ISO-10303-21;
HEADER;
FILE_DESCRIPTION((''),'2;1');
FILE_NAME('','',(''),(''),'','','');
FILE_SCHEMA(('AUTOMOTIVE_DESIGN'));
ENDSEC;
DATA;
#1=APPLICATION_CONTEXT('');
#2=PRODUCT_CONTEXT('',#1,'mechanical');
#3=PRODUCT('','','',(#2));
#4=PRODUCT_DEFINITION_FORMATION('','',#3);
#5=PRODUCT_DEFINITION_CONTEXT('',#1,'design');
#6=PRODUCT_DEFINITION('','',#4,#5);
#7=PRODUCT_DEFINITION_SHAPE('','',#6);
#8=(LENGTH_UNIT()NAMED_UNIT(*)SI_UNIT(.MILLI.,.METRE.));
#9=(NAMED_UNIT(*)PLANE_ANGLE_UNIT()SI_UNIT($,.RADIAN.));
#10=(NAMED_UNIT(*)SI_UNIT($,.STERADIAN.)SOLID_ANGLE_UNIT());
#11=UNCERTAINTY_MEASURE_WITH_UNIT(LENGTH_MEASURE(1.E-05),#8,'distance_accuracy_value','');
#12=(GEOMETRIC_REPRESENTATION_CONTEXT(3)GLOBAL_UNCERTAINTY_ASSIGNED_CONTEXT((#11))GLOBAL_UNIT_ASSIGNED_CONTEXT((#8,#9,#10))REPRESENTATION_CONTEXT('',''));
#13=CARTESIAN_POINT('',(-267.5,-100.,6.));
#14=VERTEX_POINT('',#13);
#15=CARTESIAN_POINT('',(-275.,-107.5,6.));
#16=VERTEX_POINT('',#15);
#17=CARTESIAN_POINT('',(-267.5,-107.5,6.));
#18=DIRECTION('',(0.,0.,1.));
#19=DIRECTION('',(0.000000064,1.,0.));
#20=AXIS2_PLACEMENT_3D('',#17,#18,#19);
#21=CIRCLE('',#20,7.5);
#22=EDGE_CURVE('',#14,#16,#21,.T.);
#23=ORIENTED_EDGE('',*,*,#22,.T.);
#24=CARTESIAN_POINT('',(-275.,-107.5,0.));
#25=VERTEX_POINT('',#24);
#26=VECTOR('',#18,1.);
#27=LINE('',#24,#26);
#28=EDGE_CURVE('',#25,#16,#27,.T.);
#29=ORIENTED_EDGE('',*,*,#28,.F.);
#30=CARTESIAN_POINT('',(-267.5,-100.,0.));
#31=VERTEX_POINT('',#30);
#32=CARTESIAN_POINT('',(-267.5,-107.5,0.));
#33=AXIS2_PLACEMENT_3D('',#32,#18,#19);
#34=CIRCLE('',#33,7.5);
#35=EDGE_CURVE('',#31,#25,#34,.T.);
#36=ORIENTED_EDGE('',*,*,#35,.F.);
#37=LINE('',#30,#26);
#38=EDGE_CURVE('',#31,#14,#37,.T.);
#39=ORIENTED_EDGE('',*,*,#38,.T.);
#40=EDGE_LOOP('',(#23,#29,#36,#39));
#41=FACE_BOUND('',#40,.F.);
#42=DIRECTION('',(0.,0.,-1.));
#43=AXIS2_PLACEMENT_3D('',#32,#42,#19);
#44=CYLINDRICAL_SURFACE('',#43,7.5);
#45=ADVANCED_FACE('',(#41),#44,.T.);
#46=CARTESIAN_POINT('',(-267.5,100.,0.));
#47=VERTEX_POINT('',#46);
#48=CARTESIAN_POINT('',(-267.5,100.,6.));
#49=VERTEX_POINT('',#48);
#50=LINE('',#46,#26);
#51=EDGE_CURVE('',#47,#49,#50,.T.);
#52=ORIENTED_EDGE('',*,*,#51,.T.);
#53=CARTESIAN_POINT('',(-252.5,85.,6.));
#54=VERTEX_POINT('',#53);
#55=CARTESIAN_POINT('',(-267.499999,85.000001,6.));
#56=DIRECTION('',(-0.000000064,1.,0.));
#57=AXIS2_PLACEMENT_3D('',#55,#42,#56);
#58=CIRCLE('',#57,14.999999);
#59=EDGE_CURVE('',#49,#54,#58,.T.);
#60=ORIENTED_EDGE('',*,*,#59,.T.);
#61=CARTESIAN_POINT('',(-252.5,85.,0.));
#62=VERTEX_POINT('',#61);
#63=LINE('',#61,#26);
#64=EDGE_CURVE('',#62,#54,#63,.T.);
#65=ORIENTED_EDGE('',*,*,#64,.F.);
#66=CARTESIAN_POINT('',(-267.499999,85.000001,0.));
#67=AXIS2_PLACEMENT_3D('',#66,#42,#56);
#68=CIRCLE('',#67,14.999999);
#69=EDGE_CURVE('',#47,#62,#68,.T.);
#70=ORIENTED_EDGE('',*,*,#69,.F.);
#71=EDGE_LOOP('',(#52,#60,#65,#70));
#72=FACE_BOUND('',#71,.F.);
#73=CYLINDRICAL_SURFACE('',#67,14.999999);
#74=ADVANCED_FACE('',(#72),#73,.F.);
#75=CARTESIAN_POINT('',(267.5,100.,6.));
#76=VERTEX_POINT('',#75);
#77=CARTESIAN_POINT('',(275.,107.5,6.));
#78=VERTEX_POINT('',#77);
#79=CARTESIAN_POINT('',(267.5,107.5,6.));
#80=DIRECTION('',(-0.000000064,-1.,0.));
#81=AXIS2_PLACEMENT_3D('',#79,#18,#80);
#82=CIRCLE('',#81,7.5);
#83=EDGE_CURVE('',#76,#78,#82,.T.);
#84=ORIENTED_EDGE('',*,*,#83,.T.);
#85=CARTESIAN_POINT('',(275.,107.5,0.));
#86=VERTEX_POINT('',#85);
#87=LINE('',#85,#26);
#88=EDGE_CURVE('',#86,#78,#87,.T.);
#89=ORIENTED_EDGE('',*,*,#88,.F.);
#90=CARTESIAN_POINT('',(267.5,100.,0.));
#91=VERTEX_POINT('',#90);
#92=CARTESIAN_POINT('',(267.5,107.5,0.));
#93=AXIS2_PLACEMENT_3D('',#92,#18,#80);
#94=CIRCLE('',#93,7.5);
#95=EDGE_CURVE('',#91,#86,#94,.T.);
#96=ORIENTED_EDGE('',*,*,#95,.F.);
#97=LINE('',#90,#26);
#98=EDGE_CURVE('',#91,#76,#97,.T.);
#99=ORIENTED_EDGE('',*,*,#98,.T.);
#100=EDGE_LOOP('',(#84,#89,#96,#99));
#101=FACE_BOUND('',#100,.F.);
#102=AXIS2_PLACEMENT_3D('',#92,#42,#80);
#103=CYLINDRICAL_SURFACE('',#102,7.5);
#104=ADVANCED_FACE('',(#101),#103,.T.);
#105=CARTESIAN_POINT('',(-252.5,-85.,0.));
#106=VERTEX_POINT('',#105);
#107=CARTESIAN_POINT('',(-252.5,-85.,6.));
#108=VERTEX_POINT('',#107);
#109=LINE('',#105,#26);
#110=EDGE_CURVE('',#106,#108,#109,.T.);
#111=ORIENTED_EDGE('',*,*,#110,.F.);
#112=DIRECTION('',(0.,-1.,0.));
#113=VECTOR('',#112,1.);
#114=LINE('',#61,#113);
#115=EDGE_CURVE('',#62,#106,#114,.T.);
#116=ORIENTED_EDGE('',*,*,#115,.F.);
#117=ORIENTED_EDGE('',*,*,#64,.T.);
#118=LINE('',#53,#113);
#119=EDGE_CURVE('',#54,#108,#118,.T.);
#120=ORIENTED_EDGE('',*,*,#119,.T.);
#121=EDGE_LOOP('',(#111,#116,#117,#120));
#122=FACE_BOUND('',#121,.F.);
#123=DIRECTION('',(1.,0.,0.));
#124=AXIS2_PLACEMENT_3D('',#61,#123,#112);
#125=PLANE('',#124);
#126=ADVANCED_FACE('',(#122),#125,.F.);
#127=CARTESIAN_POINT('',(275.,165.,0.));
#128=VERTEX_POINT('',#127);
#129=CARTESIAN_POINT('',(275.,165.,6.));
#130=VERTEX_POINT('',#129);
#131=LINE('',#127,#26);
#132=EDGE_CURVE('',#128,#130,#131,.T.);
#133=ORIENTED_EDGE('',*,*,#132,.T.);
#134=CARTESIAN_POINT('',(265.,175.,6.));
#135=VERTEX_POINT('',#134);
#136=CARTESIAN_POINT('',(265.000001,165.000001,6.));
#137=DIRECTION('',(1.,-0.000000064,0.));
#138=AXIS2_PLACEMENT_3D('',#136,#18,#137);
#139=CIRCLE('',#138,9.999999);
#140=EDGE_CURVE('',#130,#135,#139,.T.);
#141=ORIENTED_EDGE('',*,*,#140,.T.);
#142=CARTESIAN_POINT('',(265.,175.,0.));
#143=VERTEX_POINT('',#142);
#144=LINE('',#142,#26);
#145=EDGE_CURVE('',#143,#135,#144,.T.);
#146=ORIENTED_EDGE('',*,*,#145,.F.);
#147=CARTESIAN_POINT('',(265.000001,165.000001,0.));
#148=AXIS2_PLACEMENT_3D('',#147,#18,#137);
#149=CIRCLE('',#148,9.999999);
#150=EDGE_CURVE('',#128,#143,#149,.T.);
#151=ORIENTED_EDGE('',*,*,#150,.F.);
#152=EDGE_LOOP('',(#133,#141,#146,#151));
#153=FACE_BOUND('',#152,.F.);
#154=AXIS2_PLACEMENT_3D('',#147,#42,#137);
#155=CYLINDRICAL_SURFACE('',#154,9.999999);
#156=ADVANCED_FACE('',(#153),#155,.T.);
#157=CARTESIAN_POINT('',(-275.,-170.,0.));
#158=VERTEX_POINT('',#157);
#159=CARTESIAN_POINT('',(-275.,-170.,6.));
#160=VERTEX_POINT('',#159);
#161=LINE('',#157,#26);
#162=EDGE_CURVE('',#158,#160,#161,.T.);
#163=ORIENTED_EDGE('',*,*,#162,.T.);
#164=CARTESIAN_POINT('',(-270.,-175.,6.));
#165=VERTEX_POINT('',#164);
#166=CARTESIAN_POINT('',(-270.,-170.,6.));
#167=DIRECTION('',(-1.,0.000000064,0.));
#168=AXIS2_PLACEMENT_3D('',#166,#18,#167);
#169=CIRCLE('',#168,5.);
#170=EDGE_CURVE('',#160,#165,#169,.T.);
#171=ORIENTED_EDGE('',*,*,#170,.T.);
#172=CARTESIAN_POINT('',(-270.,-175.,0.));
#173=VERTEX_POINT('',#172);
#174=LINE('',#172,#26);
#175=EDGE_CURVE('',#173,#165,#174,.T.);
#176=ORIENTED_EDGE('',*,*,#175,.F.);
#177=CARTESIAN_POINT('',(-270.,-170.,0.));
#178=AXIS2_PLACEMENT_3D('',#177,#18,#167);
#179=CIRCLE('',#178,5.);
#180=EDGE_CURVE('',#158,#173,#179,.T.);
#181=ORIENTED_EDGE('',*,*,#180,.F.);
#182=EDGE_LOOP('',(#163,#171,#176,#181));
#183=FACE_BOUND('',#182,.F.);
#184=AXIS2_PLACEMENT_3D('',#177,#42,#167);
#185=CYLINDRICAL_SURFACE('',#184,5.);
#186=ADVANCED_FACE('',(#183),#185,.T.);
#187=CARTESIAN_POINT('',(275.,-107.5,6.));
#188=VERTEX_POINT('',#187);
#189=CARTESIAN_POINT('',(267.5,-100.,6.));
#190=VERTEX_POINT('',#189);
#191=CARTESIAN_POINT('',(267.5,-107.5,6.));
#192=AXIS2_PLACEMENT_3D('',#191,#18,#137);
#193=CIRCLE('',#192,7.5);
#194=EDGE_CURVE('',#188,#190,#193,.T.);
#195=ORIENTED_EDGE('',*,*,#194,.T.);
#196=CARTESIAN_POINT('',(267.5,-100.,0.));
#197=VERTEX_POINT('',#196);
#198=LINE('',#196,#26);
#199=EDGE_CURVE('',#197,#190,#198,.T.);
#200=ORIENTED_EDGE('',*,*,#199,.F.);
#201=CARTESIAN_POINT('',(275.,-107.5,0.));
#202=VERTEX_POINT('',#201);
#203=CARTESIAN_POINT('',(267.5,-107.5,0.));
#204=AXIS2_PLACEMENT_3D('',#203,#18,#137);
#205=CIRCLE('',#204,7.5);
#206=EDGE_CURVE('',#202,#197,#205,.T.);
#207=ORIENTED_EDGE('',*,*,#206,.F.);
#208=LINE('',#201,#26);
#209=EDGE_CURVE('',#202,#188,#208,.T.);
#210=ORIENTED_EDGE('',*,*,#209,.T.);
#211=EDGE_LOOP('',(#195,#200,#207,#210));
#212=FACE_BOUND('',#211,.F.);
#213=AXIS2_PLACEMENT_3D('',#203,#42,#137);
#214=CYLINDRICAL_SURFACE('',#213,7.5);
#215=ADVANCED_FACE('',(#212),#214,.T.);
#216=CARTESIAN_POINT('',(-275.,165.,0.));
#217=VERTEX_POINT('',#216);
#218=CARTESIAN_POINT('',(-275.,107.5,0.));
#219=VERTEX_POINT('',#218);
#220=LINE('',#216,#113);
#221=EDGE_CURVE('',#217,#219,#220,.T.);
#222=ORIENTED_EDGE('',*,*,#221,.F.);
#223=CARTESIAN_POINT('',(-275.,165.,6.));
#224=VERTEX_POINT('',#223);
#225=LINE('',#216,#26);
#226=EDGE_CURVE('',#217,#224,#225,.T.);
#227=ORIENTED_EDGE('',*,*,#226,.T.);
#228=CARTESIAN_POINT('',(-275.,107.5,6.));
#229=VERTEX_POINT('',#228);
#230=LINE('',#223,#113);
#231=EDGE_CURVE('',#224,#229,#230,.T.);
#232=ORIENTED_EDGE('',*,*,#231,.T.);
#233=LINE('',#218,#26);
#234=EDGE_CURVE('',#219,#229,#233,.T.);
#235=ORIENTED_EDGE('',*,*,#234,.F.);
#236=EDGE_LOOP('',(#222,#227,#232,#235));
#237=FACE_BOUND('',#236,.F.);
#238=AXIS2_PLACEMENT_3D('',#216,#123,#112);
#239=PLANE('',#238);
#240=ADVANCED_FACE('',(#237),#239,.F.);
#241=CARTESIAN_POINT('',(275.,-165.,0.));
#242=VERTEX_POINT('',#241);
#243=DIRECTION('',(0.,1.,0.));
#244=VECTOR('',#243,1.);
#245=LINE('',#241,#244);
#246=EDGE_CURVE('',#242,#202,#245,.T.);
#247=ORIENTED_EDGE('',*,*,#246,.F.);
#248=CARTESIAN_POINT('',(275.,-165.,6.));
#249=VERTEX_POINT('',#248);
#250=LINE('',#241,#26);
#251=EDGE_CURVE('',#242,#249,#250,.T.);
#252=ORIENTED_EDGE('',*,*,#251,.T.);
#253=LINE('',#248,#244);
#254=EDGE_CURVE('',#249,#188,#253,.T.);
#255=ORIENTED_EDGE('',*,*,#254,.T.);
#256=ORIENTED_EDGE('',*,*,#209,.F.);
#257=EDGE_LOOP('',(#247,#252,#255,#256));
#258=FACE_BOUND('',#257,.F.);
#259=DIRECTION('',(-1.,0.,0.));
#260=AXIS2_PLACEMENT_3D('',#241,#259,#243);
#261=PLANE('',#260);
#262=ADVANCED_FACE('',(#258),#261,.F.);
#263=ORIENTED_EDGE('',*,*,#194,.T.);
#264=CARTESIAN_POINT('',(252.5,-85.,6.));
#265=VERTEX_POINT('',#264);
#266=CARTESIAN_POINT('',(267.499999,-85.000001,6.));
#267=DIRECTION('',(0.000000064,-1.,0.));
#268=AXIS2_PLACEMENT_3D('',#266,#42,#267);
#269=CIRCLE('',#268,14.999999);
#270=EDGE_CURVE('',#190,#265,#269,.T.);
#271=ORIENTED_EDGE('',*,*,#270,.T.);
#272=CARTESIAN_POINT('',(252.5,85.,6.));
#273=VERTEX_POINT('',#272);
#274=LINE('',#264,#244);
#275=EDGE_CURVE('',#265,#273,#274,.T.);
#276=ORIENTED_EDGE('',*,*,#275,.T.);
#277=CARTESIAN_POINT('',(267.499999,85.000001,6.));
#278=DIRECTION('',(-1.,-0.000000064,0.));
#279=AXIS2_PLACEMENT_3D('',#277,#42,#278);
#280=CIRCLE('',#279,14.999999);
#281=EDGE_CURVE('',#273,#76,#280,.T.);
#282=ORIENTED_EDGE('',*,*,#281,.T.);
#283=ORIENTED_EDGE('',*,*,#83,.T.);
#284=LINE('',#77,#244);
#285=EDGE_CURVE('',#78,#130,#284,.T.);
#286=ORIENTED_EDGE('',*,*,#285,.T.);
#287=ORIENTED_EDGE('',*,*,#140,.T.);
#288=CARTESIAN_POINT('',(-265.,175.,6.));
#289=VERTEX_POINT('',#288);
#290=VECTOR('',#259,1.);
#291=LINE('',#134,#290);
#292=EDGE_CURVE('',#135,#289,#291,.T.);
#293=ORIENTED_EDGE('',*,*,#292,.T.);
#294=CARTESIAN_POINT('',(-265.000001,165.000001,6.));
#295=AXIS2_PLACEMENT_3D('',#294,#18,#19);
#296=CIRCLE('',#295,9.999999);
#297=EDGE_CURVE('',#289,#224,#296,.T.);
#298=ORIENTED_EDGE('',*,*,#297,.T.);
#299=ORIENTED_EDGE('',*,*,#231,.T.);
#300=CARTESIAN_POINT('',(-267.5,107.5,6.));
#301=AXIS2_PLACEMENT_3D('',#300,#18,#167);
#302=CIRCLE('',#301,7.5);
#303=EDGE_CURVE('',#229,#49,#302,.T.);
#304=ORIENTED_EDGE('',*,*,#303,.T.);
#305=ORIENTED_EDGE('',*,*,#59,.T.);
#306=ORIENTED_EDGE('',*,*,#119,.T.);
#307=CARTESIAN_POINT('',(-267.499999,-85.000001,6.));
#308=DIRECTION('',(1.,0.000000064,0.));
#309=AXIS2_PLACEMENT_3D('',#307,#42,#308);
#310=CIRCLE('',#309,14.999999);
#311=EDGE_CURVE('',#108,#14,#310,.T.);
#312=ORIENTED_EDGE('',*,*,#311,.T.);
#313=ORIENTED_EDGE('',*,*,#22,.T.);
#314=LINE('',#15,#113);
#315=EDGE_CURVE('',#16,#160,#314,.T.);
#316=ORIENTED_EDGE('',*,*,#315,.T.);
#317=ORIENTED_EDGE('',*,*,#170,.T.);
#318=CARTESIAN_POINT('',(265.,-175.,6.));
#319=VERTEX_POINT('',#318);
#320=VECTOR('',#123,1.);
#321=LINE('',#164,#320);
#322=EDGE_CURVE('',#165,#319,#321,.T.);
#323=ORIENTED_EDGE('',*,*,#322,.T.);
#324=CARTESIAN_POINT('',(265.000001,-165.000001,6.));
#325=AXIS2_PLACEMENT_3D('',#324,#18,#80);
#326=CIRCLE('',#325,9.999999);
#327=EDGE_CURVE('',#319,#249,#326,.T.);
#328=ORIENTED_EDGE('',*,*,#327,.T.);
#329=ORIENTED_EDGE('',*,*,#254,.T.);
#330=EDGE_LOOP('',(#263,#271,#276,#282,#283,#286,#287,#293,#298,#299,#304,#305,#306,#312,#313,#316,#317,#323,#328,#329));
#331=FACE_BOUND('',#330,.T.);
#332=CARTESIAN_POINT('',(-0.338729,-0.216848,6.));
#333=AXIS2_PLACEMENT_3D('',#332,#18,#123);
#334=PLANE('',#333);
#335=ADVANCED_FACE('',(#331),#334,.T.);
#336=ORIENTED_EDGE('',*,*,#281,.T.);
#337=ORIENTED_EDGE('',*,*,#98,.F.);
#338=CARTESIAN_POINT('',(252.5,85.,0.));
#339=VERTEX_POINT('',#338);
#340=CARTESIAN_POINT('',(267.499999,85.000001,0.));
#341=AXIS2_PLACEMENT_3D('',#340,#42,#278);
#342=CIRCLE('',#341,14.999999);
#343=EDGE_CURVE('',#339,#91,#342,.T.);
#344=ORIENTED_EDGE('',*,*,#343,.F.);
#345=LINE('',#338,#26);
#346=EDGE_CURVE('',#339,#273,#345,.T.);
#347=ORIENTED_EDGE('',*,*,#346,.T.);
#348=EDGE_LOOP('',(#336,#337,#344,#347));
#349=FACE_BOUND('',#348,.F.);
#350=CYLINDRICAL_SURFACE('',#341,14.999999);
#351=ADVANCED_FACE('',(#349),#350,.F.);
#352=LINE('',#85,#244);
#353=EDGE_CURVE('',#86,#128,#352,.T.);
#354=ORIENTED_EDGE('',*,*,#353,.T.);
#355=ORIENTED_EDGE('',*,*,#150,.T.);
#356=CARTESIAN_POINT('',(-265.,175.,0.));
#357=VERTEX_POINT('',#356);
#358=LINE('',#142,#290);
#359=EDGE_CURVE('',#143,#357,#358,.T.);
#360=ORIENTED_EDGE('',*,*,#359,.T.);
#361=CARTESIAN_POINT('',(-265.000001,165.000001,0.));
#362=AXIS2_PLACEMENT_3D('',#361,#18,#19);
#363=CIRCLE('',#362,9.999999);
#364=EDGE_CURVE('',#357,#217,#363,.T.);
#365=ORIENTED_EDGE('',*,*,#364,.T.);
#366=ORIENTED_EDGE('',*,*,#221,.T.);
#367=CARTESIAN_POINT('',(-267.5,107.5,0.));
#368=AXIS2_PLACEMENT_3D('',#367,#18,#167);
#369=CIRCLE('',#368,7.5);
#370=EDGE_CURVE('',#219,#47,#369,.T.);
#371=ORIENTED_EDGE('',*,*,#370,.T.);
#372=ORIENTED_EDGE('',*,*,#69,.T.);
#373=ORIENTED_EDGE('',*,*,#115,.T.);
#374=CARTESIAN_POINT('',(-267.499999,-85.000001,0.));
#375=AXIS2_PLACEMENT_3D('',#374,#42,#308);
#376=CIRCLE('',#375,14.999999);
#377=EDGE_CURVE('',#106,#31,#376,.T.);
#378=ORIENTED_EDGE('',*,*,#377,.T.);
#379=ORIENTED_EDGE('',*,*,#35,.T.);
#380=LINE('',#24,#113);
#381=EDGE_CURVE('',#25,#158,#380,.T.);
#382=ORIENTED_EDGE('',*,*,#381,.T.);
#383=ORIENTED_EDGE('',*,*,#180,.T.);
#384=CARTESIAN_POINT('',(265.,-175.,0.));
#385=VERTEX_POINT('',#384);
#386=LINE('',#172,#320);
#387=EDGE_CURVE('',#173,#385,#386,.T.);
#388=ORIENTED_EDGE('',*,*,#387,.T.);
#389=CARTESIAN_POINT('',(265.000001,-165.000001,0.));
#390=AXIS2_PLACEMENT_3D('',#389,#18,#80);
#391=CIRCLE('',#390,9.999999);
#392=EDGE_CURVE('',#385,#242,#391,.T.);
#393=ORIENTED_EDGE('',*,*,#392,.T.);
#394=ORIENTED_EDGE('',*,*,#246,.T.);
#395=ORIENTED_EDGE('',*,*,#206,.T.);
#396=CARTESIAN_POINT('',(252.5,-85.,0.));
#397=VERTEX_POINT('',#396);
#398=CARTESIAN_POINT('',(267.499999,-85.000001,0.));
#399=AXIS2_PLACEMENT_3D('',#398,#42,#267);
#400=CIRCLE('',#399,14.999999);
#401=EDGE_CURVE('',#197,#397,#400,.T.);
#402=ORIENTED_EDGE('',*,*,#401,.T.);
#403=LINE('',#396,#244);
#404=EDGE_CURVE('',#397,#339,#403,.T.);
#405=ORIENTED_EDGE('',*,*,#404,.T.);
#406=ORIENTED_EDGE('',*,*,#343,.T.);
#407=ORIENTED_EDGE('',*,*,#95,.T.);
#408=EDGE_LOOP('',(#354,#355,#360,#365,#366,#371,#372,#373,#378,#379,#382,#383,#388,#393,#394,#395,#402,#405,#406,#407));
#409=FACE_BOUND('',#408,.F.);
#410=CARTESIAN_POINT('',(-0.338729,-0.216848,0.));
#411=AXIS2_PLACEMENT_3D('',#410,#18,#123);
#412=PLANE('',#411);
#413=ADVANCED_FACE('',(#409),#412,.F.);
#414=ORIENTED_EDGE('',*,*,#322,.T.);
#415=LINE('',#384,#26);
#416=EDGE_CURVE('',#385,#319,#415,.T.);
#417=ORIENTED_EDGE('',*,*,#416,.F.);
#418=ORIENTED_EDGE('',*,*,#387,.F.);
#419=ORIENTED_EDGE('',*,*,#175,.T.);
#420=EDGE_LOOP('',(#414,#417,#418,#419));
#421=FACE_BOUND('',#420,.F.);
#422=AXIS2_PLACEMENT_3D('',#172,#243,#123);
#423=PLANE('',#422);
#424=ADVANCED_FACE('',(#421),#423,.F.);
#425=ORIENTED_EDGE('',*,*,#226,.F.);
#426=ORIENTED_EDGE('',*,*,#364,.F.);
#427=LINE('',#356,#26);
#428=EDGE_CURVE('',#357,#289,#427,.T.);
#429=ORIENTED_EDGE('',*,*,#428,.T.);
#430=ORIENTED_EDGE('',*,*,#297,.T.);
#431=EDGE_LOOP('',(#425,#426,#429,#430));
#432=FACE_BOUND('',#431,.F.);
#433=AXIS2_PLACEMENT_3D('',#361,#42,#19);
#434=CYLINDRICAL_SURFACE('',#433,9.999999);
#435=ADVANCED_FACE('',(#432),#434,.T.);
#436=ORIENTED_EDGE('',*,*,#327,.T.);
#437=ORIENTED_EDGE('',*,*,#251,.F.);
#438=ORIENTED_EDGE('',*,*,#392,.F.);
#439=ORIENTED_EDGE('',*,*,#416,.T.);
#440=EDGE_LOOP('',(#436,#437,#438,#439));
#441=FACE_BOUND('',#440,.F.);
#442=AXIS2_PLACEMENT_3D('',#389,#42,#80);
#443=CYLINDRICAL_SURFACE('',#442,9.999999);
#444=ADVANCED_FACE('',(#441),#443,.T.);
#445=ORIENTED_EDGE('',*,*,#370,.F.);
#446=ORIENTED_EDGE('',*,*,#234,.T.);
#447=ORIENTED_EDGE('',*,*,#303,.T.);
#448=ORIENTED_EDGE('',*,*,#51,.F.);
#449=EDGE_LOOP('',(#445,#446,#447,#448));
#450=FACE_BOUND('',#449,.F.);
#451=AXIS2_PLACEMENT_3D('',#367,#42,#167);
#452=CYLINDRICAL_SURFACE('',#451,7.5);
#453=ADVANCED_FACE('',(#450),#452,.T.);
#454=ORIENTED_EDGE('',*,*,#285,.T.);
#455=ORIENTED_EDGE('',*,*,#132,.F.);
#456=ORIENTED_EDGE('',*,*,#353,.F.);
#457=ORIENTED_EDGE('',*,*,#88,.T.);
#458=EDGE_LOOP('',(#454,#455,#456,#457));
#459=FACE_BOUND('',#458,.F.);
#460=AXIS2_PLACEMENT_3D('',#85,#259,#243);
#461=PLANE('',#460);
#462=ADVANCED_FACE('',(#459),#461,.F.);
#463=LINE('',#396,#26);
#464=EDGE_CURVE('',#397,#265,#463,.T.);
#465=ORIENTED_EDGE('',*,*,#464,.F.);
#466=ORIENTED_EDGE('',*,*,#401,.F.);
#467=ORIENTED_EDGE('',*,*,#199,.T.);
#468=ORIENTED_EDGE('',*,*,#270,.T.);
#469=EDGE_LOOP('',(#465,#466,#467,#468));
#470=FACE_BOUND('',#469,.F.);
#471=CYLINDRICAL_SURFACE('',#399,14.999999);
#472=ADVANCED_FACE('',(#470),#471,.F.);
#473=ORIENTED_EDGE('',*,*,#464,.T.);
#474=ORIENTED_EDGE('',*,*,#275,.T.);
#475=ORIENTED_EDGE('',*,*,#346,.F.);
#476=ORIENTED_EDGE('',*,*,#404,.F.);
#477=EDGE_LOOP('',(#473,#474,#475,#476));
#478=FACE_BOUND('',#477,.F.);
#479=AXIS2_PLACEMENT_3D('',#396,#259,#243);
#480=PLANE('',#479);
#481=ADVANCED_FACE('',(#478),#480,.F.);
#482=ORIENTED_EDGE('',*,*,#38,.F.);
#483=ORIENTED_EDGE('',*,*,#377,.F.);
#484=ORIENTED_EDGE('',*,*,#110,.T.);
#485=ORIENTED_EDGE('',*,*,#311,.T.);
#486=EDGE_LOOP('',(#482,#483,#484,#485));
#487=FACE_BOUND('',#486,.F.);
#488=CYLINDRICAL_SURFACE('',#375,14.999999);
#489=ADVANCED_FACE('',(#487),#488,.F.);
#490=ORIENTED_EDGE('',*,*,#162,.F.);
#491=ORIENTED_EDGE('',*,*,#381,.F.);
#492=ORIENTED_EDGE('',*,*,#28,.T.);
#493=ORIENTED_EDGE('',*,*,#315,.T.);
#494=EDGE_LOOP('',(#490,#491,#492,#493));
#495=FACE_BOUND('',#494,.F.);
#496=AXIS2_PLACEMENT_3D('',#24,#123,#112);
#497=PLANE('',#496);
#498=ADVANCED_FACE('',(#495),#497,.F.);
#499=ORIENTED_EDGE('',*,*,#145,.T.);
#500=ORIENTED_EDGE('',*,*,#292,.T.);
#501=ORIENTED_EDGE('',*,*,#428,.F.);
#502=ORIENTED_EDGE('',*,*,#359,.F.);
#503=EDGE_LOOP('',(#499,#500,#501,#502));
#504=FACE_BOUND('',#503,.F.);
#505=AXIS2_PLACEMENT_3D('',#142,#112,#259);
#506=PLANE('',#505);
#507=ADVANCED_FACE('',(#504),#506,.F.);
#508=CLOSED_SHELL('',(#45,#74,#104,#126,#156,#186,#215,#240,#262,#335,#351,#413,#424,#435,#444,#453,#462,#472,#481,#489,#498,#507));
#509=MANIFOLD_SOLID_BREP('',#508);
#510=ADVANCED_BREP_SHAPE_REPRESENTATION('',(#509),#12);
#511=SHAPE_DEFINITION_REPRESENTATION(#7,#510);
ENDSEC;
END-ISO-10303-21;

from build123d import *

# Parameters (mm, degrees)
F1_DEPTH = 6


with BuildPart() as f1:
    # F0 (on Top) → F1 (new body)
    with BuildSketch(Plane.XY):
        with BuildLine():
            ThreePointArc((275, 165), (272.071068, 172.071068), (265, 175))
            Line((265, 175), (-265, 175))
            ThreePointArc((-265, 175), (-272.071068, 172.071068), (-275, 165))
            Line((-275, 165), (-275, 107.5))
            ThreePointArc((-275, 107.5), (-272.803301, 102.196699), (-267.5, 100))
            ThreePointArc((-267.5, 100), (-256.893398, 95.606602), (-252.5, 85))
            Line((-252.5, 85), (-252.5, -85))
            ThreePointArc((-252.5, -85), (-256.893398, -95.606602), (-267.5, -100))
            ThreePointArc((-267.5, -100), (-272.803301, -102.196699), (-275, -107.5))
            Line((-275, -107.5), (-275, -170))
            ThreePointArc((-275, -170), (-273.535534, -173.535534), (-270, -175))
            Line((-270, -175), (265, -175))
            ThreePointArc((265, -175), (272.071068, -172.071068), (275, -165))
            Line((275, -165), (275, -107.5))
            ThreePointArc((275, -107.5), (272.803301, -102.196699), (267.5, -100))
            ThreePointArc((267.5, -100), (256.893398, -95.606602), (252.5, -85))
            Line((252.5, -85), (252.5, 85))
            ThreePointArc((252.5, 85), (256.893398, 95.606602), (267.5, 100))
            ThreePointArc((267.5, 100), (272.803301, 102.196699), (275, 107.5))
            Line((275, 107.5), (275, 165))
        make_face()
    extrude(amount=F1_DEPTH)


solid = f1.part
